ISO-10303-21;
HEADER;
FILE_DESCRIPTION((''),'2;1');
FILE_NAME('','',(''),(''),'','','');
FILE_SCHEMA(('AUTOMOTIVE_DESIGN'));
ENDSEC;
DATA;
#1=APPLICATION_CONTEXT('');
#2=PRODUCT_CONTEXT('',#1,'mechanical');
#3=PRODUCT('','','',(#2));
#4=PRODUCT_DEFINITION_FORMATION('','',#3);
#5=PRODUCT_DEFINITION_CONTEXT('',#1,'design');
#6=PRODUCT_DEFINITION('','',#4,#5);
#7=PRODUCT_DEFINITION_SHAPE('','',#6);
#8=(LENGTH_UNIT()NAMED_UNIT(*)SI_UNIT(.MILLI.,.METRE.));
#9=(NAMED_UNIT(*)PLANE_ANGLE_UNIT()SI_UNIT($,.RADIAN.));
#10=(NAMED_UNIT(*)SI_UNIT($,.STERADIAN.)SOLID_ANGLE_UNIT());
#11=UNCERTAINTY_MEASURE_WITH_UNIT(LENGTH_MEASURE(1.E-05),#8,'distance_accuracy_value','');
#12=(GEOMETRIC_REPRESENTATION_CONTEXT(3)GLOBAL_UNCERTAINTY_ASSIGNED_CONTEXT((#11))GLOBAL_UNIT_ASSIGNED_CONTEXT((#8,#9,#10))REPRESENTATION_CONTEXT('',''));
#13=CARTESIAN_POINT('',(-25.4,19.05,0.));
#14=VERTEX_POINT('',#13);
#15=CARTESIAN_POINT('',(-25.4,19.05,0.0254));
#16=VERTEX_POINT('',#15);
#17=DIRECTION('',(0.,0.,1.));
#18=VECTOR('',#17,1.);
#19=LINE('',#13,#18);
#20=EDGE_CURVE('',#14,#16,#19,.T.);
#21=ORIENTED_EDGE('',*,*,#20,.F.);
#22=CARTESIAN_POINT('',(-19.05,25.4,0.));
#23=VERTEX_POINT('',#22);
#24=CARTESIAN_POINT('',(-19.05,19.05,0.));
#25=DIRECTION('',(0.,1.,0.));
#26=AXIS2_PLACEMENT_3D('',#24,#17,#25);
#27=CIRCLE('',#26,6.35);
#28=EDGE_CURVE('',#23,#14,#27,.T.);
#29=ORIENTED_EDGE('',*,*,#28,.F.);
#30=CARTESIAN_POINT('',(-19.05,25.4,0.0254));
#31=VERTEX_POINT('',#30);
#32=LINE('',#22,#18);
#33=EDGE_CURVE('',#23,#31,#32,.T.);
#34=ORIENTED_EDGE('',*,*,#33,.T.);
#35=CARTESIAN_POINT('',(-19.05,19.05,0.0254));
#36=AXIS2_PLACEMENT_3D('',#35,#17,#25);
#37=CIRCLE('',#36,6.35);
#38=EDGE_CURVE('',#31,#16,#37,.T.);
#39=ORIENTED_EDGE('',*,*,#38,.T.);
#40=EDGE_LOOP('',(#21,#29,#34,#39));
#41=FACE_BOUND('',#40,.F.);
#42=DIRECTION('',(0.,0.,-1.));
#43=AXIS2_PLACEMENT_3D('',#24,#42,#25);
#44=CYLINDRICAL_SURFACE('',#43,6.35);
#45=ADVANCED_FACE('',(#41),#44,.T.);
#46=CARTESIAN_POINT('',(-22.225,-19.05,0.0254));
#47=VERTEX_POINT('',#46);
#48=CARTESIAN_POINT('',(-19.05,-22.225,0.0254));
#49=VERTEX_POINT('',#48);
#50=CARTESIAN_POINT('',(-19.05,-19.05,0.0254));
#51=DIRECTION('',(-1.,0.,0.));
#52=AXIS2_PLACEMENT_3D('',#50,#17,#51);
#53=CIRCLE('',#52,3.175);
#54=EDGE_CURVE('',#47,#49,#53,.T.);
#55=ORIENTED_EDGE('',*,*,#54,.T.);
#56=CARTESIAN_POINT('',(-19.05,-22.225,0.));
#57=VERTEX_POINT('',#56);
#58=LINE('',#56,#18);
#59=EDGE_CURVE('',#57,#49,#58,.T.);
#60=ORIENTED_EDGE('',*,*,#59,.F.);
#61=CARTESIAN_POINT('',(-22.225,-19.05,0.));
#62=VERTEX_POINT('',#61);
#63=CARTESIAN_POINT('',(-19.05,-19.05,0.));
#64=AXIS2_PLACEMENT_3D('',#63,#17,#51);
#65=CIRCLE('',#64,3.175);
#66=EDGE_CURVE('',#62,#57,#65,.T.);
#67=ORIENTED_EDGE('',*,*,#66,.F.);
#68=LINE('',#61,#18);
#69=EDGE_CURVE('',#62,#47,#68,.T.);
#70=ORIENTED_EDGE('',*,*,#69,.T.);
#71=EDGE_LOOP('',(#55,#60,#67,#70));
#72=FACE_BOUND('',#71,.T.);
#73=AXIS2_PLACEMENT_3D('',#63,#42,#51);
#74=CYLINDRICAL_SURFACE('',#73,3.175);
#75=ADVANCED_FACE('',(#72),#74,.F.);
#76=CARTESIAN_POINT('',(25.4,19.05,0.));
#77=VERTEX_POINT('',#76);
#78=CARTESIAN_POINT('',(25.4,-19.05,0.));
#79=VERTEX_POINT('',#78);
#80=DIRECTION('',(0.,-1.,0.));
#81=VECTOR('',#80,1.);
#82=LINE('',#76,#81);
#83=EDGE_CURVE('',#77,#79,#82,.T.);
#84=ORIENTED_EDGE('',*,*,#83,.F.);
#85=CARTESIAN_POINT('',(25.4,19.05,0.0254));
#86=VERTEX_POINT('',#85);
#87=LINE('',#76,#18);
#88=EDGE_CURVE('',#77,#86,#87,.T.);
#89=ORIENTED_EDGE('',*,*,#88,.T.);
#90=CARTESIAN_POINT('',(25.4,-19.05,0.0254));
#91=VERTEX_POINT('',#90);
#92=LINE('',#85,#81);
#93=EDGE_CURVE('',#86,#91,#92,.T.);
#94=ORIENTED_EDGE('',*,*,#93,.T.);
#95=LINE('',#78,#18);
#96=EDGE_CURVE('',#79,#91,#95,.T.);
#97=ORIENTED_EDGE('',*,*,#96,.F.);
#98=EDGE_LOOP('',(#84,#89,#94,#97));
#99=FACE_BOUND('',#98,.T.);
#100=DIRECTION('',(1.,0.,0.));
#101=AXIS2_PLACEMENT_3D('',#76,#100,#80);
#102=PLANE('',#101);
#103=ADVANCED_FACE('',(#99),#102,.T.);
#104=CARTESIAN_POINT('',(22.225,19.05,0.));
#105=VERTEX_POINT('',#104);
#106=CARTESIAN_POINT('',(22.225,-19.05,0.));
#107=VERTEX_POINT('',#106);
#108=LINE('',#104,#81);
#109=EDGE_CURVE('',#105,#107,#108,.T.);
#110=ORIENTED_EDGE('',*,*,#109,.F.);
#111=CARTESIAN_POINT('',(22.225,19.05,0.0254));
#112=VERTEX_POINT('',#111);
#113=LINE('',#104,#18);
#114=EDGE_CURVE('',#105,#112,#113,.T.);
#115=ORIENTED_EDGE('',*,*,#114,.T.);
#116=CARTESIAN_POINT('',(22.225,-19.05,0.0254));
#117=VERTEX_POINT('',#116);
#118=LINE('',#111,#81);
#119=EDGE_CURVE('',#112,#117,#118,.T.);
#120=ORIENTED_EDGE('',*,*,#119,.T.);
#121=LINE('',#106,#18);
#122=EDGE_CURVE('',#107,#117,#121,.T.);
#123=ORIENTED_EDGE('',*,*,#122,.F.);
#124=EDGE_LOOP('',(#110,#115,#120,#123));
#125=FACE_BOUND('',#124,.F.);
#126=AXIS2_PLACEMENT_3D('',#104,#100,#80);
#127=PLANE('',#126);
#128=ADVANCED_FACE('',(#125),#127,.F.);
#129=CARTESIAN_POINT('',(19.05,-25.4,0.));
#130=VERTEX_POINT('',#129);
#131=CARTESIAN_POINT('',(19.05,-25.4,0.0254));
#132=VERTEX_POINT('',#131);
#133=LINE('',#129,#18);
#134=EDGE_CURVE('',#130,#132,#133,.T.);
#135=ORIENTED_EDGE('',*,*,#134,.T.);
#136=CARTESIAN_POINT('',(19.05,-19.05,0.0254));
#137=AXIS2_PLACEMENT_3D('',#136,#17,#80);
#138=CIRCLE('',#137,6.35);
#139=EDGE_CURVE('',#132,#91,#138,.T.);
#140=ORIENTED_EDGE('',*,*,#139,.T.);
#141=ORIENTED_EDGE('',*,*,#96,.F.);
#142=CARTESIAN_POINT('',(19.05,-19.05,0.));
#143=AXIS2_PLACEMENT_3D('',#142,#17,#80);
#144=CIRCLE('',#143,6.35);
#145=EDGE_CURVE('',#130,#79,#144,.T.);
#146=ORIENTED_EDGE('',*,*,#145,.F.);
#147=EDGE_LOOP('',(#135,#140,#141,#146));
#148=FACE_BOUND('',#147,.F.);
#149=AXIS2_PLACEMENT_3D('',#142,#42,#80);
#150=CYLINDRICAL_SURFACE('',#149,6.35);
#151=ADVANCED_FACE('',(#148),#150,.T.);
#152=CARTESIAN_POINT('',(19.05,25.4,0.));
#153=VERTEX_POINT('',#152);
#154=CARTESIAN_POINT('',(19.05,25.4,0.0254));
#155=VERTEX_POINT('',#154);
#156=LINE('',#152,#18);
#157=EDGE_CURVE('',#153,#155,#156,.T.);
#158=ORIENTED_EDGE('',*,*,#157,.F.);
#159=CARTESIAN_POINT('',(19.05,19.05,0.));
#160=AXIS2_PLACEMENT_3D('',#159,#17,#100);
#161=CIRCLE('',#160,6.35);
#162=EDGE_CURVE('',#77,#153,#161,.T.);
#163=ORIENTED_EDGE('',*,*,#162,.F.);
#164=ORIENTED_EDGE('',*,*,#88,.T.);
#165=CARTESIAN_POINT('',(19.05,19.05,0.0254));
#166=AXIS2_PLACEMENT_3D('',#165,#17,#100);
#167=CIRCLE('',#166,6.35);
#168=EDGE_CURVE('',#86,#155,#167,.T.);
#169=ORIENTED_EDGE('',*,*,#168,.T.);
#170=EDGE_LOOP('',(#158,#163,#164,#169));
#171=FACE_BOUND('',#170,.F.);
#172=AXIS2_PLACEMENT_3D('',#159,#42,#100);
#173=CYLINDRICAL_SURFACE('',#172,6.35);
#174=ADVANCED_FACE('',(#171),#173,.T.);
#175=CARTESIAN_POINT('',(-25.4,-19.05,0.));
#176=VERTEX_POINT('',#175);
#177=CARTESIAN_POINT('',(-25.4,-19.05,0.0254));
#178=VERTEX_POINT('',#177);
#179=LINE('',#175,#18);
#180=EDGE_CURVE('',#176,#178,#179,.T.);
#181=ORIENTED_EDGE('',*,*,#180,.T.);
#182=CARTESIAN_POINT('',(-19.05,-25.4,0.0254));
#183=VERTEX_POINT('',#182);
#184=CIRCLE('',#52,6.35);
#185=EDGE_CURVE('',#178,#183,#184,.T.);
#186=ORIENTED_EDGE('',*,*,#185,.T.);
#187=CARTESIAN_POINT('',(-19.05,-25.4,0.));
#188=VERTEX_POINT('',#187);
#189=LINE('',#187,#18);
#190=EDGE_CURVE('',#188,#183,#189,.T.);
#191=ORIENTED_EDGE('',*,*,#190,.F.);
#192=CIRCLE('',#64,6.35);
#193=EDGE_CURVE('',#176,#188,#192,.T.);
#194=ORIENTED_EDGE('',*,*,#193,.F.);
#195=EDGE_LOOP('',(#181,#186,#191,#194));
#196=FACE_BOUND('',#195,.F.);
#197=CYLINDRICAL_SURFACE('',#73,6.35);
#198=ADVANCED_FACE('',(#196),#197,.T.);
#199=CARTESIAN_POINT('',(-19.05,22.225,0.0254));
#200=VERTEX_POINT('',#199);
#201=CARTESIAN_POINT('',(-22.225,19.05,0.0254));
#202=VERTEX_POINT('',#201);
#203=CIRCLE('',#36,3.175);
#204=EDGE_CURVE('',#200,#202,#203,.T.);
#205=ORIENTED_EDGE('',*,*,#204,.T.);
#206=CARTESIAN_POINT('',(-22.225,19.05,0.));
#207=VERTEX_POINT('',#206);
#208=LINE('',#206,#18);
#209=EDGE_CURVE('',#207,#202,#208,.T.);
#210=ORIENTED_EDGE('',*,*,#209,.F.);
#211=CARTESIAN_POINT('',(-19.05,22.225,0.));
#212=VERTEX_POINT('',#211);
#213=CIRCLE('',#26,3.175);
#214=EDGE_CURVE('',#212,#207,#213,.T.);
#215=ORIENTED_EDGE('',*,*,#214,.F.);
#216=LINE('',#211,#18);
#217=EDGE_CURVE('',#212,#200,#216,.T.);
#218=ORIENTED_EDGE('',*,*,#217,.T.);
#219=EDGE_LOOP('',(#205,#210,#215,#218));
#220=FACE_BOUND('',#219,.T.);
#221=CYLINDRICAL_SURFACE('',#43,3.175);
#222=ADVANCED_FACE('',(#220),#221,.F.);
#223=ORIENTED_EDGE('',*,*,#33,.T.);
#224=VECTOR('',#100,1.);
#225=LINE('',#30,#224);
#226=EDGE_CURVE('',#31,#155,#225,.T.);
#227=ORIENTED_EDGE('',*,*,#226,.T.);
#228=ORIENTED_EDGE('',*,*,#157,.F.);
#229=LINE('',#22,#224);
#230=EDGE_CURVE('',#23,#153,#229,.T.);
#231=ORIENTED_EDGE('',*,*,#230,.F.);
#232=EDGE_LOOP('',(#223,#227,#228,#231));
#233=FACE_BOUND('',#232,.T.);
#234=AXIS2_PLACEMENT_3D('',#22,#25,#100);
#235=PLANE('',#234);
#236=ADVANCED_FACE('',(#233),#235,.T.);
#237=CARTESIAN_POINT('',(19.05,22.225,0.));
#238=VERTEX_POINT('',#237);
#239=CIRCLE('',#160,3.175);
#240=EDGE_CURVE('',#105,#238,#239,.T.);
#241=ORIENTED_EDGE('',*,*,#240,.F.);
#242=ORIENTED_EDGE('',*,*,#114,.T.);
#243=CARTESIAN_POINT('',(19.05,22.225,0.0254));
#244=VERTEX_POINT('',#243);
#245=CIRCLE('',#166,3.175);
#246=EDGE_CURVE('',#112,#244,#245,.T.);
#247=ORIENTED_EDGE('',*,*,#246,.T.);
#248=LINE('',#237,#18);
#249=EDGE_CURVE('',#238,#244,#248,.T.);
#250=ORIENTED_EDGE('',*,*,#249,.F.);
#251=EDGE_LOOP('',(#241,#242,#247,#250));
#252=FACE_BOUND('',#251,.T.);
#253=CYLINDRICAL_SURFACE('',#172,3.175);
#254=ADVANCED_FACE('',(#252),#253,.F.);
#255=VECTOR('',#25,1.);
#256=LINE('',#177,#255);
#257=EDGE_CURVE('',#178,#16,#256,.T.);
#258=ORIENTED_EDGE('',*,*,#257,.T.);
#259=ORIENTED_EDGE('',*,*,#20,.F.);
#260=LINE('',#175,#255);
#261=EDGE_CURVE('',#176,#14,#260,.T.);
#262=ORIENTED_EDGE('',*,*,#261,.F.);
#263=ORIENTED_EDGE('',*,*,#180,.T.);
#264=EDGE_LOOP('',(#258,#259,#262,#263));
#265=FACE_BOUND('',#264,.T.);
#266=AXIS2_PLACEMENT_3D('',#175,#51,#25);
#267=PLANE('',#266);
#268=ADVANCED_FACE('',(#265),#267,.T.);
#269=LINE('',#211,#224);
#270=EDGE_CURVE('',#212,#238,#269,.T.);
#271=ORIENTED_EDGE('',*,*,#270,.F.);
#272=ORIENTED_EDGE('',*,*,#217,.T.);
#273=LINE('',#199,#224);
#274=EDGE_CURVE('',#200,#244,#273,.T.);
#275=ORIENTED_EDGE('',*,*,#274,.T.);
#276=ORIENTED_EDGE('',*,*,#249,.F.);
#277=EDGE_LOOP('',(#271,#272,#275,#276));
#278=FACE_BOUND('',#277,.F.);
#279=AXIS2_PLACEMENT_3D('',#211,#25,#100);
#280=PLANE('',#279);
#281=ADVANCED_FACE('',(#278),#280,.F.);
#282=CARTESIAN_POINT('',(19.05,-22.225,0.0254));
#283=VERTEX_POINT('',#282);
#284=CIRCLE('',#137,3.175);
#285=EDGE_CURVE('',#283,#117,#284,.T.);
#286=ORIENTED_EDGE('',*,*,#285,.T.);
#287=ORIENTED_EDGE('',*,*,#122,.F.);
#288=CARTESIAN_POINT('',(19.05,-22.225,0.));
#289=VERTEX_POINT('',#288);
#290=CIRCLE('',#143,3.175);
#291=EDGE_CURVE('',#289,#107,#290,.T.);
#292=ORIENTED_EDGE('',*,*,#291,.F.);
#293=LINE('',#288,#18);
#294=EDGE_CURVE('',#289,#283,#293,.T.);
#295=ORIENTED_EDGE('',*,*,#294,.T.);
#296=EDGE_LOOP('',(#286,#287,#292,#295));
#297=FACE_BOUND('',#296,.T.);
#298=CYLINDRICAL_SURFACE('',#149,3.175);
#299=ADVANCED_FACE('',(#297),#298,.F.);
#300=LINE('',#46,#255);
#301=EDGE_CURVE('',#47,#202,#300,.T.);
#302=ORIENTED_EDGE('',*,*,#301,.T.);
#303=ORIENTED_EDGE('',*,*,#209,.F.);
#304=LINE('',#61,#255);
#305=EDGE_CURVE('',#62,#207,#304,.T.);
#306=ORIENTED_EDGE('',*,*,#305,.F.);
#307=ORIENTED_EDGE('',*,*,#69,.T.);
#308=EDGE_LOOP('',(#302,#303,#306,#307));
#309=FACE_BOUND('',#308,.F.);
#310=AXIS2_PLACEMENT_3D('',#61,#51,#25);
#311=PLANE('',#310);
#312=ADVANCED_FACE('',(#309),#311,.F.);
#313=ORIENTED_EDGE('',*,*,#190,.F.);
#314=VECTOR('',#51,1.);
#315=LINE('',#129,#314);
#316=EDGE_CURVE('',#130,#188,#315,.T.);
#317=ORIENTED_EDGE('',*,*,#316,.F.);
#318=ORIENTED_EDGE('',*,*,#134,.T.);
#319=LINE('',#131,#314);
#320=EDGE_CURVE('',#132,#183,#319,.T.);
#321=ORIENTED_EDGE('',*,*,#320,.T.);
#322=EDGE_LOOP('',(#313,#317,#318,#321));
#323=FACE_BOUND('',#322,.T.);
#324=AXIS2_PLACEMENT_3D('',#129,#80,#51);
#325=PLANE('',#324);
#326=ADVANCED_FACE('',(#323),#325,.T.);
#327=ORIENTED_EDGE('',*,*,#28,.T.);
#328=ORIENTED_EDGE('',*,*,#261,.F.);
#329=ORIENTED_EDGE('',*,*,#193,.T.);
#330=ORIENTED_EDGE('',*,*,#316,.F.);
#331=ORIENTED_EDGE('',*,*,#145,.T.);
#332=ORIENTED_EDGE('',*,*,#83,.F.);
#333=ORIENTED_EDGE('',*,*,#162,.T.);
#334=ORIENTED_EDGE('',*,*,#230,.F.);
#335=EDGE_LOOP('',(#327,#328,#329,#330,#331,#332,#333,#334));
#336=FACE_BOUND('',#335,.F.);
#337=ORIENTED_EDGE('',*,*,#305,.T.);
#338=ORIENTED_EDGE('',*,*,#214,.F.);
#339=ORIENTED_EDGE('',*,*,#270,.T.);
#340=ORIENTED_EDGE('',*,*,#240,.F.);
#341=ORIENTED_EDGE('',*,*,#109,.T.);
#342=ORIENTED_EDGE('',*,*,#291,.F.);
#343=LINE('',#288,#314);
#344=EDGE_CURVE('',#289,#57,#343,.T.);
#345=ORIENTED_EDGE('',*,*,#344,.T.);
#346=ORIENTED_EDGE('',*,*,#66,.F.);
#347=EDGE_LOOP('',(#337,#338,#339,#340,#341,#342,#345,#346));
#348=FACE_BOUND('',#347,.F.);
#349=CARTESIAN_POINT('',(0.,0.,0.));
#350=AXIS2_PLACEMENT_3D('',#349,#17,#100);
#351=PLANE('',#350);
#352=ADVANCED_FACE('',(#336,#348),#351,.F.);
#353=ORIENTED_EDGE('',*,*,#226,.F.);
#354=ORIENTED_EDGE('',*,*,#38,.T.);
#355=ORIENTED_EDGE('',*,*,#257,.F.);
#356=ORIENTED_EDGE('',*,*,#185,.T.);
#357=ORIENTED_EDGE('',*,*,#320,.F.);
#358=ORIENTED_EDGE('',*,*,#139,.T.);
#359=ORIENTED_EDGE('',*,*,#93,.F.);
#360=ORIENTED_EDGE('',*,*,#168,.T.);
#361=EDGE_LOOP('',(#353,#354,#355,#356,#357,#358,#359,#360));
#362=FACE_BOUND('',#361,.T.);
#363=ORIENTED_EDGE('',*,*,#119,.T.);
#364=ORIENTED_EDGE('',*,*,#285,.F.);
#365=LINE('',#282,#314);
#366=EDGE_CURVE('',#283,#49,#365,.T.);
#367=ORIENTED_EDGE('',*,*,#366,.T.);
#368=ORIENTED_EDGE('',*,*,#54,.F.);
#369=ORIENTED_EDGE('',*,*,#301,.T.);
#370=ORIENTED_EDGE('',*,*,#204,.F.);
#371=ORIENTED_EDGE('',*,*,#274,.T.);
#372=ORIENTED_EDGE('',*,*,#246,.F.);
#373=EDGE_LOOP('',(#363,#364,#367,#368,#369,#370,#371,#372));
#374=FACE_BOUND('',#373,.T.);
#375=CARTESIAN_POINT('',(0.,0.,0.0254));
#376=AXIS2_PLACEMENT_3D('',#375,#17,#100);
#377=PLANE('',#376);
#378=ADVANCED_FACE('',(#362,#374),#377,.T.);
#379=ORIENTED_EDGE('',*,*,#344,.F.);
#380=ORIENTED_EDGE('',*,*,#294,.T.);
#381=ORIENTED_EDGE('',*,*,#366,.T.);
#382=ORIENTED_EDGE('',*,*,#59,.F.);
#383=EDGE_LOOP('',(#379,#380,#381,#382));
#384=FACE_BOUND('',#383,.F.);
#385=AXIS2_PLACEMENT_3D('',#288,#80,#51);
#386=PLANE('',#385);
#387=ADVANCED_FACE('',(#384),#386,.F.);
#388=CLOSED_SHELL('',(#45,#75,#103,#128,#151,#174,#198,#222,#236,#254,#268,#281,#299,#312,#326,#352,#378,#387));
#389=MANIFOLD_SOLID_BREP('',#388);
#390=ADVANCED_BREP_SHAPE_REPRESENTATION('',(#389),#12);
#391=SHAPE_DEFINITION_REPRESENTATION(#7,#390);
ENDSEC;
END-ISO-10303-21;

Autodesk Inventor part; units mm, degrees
ref_plane "YZ Plane" through (0, 0, 0) normal (1, 0, 0) x (0, 1, 0)
ref_plane "Start plane" through (0, 0, 0) normal (0, 0, 1) x (1, 0, 0)
ref_plane "End plane" through (0, 0, 0.0254) normal (0, 0, 1) x (1, 0, 0)
sketch "Boceto" plane through (0, 0, 0) normal (0, 0, 1) x (1, 0, 0)
  line L0 (-25.4, -19.05) -> (-25.4, 19.05)
  line L1 (-19.05, 25.4) -> (19.05, 25.4)
  line L2 (25.4, 19.05) -> (25.4, -19.05)
  line L3 (19.05, -25.4) -> (-19.05, -25.4)
  arc A0 (-25.4, -19.05) -> (-19.05, -25.4) centre (-19.05, -19.05) ccw
  arc A1 (-19.05, 25.4) -> (-25.4, 19.05) centre (-19.05, 19.05) ccw
  arc A2 (25.4, 19.05) -> (19.05, 25.4) centre (19.05, 19.05) ccw
  arc A3 (19.05, -25.4) -> (25.4, -19.05) centre (19.05, -19.05) ccw
  arc A4 (-19.05, 22.225) -> (-22.225, 19.05) centre (-19.05, 19.05) ccw
  line L4 (-19.05, 22.225) -> (19.05, 22.225)
  arc A5 (22.225, 19.05) -> (19.05, 22.225) centre (19.05, 19.05) ccw
  line L5 (22.225, 19.05) -> (22.225, -19.05)
  arc A6 (19.05, -22.225) -> (22.225, -19.05) centre (19.05, -19.05) ccw
  line L6 (19.05, -22.225) -> (-19.05, -22.225)
  arc A7 (-22.225, -19.05) -> (-19.05, -22.225) centre (-19.05, -19.05) ccw
  line L7 (-22.225, -19.05) -> (-22.225, 19.05)
  line L8 (0, 36.9477) -> (0, -36.9477) construction
  line L9 (-23.0793, 0) -> (23.0793, 0) construction
  dimension "d10" = 50.8
  dimension "d11" = 50.8
  dimension "d12" = 3.175
  dimension "d15" = 25.4
  dimension "d16" = 25.4
  dimension "d17" = 6.35
extrude "Cuerpo" add sketch "Boceto" along normal up to surface (0.0254 mm away) from surface at 0
sketch "Sketch3" plane through (0, 0, 0) normal (0, 0, 1) x (1, 0, 0)
  line L0 (0, 0) -> (10, 0)
ref_plane "Work Plane3" through (0, 0, 0) normal (0, -1, 0) x (1, 0, 0)
sketch "Sketch4" plane through (0, 0, 0) normal (0, -1, 0) x (1, 0, 0)
  line L0 (-2, 0) -> (12, 0)
  line L1 (-2, 0.0254) -> (12, 0.0254)
  dimension "d19" = 0.0254
equation "\"d10\" = G_H"
equation "\"d11\" = G_W"
equation "\"d12\" = G_T"
equation "\"d15\" = 0.5 * d10"
equation "\"d16\" = 0.5 * d11"
equation "\"d17\" = G_IR"
equation "\"d3\" = G_L"
equation "\"G_W\" = 50.8"
equation "\"G_H\" = 50.8"
equation "\"G_T\" = 3.175"
equation "\"G_IR\" = 6.35"
equation "\"G_L\" = d19"
equation "\"G_OFFSET_START\" = 0"
equation "\"G_OFFSET_END\" = 0"
equation "\"d14\" = G_OFFSET_END + B_L"
equation "\"B_L\" = 0.0254"
properties part number "AISC - 2 x 2 x 1/8 - 0.001" material "Acero, suave"
